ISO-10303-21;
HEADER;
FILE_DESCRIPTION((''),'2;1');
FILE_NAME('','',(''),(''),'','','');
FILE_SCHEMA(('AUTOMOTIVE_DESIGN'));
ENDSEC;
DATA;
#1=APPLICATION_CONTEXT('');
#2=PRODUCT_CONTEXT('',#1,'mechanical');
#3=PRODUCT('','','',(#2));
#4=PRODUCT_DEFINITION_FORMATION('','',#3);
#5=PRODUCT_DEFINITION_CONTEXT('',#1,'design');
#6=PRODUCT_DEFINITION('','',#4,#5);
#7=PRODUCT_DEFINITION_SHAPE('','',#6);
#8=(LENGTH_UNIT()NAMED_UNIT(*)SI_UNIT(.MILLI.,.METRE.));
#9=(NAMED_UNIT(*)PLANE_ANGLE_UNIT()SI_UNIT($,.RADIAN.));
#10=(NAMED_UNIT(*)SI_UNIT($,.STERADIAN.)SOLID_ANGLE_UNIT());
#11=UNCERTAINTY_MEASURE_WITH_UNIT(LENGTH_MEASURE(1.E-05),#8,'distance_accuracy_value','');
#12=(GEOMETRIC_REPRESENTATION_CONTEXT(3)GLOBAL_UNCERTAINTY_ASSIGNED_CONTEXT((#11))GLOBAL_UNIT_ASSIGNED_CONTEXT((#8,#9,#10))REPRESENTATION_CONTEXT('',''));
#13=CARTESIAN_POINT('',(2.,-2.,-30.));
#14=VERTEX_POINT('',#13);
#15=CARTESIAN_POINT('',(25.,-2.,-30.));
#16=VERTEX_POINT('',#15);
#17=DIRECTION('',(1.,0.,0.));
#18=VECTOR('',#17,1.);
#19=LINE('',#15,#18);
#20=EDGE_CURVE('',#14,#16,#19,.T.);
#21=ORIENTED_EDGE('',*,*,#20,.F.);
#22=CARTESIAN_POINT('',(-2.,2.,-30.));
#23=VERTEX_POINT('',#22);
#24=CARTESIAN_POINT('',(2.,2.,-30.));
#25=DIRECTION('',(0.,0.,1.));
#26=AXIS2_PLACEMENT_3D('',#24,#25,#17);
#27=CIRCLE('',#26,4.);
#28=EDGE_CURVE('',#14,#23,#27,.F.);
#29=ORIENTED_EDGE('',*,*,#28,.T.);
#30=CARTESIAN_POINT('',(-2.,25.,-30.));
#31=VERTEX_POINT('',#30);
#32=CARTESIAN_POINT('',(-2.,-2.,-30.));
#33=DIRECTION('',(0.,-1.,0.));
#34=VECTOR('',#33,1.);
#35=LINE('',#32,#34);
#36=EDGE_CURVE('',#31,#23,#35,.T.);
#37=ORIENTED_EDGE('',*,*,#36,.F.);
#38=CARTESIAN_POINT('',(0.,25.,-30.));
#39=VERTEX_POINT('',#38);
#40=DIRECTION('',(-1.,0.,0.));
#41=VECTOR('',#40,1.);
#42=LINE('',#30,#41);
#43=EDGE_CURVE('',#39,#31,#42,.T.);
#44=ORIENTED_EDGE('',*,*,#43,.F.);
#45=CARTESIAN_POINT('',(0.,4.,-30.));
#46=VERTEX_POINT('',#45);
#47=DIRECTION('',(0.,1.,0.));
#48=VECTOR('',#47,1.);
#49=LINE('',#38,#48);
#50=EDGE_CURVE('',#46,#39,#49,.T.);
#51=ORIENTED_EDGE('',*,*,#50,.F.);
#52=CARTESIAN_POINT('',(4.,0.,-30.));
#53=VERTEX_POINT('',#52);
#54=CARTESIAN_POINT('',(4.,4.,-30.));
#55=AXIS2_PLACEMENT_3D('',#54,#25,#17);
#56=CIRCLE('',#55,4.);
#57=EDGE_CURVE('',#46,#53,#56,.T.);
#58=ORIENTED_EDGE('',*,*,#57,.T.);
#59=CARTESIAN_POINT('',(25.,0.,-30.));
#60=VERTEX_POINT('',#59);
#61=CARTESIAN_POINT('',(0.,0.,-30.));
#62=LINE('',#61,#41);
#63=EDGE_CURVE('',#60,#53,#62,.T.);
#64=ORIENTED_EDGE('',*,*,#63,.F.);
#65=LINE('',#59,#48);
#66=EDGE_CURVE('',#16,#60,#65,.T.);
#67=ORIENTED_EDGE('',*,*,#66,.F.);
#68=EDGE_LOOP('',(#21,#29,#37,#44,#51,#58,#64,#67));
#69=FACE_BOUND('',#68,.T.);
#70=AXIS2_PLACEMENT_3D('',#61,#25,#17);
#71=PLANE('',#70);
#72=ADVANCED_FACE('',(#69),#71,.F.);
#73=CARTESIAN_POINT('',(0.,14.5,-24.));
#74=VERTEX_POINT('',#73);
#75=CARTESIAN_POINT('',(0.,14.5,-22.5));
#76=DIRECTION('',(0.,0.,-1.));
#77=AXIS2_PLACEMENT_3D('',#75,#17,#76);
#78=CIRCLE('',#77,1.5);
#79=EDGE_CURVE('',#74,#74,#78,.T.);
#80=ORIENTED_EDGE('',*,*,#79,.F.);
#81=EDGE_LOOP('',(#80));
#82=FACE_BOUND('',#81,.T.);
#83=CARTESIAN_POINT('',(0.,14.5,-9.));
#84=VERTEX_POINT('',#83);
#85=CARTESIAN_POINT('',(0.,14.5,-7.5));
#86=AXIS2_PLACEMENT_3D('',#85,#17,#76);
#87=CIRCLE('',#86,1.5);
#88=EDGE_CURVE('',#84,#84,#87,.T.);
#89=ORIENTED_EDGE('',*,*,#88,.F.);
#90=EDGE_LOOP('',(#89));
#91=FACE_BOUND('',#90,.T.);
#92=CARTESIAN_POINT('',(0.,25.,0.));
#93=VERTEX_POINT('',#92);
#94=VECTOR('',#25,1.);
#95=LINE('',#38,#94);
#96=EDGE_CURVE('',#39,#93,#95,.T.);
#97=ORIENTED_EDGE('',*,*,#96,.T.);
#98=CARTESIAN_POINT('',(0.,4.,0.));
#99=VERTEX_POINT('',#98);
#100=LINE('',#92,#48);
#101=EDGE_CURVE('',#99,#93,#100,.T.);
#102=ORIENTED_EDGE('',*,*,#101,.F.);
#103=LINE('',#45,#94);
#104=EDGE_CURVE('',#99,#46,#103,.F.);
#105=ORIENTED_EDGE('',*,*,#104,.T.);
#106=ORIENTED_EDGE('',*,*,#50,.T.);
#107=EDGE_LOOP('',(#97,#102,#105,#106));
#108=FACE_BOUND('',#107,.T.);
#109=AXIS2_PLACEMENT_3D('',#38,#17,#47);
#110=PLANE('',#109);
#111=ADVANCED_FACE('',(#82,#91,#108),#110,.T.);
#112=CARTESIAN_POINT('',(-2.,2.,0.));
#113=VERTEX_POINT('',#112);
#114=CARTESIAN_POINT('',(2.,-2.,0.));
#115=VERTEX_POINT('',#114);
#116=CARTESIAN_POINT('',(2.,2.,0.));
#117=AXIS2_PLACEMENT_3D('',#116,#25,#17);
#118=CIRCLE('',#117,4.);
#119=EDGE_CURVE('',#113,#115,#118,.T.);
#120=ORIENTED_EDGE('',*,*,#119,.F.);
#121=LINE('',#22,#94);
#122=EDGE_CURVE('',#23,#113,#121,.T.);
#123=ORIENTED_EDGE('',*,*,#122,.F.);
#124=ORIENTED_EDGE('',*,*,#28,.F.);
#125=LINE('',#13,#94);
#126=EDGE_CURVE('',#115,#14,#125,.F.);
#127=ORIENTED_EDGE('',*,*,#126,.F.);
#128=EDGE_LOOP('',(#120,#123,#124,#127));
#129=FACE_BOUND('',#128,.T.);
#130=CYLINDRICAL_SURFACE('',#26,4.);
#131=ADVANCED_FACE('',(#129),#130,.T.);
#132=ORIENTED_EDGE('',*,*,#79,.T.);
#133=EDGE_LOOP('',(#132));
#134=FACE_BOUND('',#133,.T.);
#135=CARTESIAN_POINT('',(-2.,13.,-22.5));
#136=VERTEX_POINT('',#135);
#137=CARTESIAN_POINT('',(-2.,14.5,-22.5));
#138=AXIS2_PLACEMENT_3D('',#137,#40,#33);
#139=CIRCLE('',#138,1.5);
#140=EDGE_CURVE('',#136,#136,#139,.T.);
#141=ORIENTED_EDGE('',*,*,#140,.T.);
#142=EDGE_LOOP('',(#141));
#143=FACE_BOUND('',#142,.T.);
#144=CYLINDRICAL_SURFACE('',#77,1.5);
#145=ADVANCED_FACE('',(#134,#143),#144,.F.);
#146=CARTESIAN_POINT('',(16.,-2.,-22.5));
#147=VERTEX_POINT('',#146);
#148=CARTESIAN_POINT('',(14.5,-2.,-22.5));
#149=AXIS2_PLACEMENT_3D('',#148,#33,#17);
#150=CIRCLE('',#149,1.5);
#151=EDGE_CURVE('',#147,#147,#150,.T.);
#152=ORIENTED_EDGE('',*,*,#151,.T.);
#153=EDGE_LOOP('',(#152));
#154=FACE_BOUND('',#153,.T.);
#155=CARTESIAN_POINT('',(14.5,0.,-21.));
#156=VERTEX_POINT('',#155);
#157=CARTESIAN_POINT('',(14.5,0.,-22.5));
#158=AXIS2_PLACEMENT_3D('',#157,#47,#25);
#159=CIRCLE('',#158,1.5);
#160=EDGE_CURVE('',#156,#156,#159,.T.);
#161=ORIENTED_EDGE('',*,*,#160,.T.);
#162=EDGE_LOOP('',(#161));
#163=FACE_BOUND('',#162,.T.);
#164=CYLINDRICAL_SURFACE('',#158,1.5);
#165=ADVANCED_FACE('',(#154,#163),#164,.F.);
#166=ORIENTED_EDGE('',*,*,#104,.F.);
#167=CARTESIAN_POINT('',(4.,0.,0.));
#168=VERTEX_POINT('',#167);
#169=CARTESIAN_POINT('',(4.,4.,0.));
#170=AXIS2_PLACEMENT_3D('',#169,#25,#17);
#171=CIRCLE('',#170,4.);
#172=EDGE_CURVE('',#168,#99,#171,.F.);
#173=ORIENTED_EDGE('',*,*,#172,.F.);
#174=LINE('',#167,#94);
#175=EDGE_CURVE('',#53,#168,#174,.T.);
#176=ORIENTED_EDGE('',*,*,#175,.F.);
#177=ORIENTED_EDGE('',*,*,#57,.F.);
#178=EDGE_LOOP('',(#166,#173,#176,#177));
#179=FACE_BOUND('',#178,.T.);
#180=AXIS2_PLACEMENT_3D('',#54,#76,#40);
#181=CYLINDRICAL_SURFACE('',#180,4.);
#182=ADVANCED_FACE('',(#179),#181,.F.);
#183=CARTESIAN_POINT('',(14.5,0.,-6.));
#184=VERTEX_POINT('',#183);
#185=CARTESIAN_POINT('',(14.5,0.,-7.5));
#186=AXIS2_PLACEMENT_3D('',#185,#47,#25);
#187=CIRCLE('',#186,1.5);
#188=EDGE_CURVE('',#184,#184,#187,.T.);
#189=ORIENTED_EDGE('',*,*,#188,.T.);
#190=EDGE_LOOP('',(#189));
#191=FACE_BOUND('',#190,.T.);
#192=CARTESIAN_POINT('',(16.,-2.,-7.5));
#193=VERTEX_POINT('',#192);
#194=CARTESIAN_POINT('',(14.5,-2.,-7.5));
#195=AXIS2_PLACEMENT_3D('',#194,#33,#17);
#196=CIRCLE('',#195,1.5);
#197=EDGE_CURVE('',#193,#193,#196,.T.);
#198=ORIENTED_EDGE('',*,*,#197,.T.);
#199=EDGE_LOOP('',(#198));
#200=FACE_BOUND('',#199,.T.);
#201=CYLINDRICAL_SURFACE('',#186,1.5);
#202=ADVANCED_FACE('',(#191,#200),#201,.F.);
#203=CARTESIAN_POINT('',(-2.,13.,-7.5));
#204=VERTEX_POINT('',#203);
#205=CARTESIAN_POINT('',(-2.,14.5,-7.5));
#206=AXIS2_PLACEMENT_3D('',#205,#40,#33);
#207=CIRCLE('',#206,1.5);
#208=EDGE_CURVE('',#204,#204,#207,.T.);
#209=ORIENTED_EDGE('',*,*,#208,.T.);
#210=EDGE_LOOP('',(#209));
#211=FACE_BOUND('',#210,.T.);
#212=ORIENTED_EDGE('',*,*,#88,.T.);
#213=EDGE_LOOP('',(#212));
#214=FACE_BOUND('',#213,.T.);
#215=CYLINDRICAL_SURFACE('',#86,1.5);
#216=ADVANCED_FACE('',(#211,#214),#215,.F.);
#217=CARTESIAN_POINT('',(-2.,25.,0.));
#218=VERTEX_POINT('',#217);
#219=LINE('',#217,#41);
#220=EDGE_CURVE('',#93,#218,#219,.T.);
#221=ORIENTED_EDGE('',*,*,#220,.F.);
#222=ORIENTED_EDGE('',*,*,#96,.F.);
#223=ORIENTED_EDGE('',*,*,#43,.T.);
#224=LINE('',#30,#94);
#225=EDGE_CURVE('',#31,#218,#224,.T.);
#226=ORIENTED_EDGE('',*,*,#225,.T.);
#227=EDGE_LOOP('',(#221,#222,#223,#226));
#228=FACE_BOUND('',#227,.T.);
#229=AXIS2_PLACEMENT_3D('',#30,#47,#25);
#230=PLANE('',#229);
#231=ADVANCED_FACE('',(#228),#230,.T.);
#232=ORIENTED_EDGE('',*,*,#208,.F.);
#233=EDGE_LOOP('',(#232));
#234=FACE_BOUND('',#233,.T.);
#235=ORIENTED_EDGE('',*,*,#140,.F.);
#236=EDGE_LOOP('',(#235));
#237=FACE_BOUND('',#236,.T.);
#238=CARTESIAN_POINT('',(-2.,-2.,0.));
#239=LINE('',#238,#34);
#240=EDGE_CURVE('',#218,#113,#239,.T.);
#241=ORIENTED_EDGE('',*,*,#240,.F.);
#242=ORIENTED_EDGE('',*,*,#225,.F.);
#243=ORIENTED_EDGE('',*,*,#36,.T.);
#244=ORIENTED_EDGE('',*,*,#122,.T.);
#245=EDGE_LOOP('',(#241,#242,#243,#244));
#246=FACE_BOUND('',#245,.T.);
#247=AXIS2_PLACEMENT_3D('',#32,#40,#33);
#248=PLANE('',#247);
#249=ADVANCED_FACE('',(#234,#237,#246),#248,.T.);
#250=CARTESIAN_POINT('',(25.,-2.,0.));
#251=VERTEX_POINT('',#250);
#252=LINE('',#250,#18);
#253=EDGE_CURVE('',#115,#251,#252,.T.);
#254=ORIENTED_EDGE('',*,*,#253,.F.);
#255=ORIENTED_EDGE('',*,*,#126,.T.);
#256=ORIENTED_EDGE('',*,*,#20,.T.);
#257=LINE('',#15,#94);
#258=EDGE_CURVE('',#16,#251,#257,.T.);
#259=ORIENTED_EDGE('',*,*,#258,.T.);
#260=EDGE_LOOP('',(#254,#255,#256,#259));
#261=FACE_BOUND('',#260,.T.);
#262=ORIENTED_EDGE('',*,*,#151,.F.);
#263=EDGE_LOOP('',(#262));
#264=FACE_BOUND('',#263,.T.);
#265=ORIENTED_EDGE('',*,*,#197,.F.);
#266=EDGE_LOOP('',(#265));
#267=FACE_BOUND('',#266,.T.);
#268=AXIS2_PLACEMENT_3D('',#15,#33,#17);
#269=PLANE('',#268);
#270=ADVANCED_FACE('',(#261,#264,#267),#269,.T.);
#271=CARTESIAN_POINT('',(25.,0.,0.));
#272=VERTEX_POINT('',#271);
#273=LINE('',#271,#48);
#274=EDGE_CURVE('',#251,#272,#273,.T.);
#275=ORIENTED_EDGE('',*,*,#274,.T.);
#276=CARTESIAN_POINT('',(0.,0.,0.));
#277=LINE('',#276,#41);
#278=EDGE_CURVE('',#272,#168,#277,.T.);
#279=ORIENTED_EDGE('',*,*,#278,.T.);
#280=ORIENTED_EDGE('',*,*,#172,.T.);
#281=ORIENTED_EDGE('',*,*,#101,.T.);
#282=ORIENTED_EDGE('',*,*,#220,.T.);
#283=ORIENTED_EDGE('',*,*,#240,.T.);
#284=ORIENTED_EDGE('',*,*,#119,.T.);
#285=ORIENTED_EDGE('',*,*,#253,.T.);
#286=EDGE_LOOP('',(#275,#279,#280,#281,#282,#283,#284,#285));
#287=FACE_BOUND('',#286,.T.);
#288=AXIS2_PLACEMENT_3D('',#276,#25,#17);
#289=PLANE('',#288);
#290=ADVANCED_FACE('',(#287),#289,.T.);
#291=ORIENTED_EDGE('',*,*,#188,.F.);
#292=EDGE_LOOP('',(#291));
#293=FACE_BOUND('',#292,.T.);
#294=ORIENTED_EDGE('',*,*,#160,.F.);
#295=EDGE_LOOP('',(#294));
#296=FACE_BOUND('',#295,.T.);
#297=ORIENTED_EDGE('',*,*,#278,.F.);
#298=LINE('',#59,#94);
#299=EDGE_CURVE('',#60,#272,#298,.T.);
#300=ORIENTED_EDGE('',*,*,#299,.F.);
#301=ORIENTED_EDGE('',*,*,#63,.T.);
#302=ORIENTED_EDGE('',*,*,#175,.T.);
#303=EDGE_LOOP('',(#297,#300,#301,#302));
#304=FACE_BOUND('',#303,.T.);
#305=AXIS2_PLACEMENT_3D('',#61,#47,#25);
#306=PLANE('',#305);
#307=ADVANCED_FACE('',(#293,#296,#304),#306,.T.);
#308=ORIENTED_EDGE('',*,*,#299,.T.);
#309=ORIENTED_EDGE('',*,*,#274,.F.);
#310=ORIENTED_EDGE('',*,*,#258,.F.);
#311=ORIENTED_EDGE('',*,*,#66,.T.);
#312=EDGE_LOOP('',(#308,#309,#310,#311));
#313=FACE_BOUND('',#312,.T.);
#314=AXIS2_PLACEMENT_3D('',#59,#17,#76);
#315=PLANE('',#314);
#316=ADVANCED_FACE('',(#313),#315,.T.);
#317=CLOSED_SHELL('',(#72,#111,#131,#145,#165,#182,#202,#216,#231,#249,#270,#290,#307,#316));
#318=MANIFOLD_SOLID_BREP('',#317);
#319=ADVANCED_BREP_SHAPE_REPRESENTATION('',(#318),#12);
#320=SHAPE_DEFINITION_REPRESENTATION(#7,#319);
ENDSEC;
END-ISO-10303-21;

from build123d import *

# Parameters (mm, degrees)
BOSS_EXTRUDE1_DEPTH       = 30
FILLET1_R                 = 4
FILLET2_R                 = 4
F_3_0MM_DOWEL_HOLE1_D     = 3
F_3_0MM_DOWEL_HOLE1_DEPTH = 2
F_3_0MM_DOWEL_HOLE2_D     = 3
F_3_0MM_DOWEL_HOLE2_DEPTH = 2


with BuildPart() as part:
    # Sketch1 → Boss-Extrude1 (new body)
    with BuildSketch(Plane.XY):
        Polygon((0, 0), (25, 0), (25, -2), (-2, -2), (-2, 25), (0, 25), align=None)
    extrude(amount=-BOSS_EXTRUDE1_DEPTH)

    # Fillet1
    fillet1_edges = [part.edges().sort_by_distance(p)[0] for p in [
        (0, 0, -15),
    ]]
    fillet(fillet1_edges, radius=FILLET1_R)

    # Fillet2
    fillet2_edges = [part.edges().sort_by_distance(p)[0] for p in [
        (-2, -2, -15),
    ]]
    fillet(fillet2_edges, radius=FILLET2_R)

    # Ø3.0mm Dowel Hole1
    with Locations(Plane(origin=(0, 0, 0), x_dir=(1, 0, 0), z_dir=(0, 1, 0))):
        with Locations((14.5, 22.5), (14.5, 7.5)):
            Hole(F_3_0MM_DOWEL_HOLE1_D / 2, depth=F_3_0MM_DOWEL_HOLE1_DEPTH)

    # Ø3.0mm Dowel Hole2
    with Locations(Plane(origin=(0, 0, 0), x_dir=(0, 0, -1), z_dir=(1, 0, 0))):
        with Locations((7.5, 14.5), (22.5, 14.5)):
            Hole(F_3_0MM_DOWEL_HOLE2_D / 2, depth=F_3_0MM_DOWEL_HOLE2_DEPTH)


solid = part.part
